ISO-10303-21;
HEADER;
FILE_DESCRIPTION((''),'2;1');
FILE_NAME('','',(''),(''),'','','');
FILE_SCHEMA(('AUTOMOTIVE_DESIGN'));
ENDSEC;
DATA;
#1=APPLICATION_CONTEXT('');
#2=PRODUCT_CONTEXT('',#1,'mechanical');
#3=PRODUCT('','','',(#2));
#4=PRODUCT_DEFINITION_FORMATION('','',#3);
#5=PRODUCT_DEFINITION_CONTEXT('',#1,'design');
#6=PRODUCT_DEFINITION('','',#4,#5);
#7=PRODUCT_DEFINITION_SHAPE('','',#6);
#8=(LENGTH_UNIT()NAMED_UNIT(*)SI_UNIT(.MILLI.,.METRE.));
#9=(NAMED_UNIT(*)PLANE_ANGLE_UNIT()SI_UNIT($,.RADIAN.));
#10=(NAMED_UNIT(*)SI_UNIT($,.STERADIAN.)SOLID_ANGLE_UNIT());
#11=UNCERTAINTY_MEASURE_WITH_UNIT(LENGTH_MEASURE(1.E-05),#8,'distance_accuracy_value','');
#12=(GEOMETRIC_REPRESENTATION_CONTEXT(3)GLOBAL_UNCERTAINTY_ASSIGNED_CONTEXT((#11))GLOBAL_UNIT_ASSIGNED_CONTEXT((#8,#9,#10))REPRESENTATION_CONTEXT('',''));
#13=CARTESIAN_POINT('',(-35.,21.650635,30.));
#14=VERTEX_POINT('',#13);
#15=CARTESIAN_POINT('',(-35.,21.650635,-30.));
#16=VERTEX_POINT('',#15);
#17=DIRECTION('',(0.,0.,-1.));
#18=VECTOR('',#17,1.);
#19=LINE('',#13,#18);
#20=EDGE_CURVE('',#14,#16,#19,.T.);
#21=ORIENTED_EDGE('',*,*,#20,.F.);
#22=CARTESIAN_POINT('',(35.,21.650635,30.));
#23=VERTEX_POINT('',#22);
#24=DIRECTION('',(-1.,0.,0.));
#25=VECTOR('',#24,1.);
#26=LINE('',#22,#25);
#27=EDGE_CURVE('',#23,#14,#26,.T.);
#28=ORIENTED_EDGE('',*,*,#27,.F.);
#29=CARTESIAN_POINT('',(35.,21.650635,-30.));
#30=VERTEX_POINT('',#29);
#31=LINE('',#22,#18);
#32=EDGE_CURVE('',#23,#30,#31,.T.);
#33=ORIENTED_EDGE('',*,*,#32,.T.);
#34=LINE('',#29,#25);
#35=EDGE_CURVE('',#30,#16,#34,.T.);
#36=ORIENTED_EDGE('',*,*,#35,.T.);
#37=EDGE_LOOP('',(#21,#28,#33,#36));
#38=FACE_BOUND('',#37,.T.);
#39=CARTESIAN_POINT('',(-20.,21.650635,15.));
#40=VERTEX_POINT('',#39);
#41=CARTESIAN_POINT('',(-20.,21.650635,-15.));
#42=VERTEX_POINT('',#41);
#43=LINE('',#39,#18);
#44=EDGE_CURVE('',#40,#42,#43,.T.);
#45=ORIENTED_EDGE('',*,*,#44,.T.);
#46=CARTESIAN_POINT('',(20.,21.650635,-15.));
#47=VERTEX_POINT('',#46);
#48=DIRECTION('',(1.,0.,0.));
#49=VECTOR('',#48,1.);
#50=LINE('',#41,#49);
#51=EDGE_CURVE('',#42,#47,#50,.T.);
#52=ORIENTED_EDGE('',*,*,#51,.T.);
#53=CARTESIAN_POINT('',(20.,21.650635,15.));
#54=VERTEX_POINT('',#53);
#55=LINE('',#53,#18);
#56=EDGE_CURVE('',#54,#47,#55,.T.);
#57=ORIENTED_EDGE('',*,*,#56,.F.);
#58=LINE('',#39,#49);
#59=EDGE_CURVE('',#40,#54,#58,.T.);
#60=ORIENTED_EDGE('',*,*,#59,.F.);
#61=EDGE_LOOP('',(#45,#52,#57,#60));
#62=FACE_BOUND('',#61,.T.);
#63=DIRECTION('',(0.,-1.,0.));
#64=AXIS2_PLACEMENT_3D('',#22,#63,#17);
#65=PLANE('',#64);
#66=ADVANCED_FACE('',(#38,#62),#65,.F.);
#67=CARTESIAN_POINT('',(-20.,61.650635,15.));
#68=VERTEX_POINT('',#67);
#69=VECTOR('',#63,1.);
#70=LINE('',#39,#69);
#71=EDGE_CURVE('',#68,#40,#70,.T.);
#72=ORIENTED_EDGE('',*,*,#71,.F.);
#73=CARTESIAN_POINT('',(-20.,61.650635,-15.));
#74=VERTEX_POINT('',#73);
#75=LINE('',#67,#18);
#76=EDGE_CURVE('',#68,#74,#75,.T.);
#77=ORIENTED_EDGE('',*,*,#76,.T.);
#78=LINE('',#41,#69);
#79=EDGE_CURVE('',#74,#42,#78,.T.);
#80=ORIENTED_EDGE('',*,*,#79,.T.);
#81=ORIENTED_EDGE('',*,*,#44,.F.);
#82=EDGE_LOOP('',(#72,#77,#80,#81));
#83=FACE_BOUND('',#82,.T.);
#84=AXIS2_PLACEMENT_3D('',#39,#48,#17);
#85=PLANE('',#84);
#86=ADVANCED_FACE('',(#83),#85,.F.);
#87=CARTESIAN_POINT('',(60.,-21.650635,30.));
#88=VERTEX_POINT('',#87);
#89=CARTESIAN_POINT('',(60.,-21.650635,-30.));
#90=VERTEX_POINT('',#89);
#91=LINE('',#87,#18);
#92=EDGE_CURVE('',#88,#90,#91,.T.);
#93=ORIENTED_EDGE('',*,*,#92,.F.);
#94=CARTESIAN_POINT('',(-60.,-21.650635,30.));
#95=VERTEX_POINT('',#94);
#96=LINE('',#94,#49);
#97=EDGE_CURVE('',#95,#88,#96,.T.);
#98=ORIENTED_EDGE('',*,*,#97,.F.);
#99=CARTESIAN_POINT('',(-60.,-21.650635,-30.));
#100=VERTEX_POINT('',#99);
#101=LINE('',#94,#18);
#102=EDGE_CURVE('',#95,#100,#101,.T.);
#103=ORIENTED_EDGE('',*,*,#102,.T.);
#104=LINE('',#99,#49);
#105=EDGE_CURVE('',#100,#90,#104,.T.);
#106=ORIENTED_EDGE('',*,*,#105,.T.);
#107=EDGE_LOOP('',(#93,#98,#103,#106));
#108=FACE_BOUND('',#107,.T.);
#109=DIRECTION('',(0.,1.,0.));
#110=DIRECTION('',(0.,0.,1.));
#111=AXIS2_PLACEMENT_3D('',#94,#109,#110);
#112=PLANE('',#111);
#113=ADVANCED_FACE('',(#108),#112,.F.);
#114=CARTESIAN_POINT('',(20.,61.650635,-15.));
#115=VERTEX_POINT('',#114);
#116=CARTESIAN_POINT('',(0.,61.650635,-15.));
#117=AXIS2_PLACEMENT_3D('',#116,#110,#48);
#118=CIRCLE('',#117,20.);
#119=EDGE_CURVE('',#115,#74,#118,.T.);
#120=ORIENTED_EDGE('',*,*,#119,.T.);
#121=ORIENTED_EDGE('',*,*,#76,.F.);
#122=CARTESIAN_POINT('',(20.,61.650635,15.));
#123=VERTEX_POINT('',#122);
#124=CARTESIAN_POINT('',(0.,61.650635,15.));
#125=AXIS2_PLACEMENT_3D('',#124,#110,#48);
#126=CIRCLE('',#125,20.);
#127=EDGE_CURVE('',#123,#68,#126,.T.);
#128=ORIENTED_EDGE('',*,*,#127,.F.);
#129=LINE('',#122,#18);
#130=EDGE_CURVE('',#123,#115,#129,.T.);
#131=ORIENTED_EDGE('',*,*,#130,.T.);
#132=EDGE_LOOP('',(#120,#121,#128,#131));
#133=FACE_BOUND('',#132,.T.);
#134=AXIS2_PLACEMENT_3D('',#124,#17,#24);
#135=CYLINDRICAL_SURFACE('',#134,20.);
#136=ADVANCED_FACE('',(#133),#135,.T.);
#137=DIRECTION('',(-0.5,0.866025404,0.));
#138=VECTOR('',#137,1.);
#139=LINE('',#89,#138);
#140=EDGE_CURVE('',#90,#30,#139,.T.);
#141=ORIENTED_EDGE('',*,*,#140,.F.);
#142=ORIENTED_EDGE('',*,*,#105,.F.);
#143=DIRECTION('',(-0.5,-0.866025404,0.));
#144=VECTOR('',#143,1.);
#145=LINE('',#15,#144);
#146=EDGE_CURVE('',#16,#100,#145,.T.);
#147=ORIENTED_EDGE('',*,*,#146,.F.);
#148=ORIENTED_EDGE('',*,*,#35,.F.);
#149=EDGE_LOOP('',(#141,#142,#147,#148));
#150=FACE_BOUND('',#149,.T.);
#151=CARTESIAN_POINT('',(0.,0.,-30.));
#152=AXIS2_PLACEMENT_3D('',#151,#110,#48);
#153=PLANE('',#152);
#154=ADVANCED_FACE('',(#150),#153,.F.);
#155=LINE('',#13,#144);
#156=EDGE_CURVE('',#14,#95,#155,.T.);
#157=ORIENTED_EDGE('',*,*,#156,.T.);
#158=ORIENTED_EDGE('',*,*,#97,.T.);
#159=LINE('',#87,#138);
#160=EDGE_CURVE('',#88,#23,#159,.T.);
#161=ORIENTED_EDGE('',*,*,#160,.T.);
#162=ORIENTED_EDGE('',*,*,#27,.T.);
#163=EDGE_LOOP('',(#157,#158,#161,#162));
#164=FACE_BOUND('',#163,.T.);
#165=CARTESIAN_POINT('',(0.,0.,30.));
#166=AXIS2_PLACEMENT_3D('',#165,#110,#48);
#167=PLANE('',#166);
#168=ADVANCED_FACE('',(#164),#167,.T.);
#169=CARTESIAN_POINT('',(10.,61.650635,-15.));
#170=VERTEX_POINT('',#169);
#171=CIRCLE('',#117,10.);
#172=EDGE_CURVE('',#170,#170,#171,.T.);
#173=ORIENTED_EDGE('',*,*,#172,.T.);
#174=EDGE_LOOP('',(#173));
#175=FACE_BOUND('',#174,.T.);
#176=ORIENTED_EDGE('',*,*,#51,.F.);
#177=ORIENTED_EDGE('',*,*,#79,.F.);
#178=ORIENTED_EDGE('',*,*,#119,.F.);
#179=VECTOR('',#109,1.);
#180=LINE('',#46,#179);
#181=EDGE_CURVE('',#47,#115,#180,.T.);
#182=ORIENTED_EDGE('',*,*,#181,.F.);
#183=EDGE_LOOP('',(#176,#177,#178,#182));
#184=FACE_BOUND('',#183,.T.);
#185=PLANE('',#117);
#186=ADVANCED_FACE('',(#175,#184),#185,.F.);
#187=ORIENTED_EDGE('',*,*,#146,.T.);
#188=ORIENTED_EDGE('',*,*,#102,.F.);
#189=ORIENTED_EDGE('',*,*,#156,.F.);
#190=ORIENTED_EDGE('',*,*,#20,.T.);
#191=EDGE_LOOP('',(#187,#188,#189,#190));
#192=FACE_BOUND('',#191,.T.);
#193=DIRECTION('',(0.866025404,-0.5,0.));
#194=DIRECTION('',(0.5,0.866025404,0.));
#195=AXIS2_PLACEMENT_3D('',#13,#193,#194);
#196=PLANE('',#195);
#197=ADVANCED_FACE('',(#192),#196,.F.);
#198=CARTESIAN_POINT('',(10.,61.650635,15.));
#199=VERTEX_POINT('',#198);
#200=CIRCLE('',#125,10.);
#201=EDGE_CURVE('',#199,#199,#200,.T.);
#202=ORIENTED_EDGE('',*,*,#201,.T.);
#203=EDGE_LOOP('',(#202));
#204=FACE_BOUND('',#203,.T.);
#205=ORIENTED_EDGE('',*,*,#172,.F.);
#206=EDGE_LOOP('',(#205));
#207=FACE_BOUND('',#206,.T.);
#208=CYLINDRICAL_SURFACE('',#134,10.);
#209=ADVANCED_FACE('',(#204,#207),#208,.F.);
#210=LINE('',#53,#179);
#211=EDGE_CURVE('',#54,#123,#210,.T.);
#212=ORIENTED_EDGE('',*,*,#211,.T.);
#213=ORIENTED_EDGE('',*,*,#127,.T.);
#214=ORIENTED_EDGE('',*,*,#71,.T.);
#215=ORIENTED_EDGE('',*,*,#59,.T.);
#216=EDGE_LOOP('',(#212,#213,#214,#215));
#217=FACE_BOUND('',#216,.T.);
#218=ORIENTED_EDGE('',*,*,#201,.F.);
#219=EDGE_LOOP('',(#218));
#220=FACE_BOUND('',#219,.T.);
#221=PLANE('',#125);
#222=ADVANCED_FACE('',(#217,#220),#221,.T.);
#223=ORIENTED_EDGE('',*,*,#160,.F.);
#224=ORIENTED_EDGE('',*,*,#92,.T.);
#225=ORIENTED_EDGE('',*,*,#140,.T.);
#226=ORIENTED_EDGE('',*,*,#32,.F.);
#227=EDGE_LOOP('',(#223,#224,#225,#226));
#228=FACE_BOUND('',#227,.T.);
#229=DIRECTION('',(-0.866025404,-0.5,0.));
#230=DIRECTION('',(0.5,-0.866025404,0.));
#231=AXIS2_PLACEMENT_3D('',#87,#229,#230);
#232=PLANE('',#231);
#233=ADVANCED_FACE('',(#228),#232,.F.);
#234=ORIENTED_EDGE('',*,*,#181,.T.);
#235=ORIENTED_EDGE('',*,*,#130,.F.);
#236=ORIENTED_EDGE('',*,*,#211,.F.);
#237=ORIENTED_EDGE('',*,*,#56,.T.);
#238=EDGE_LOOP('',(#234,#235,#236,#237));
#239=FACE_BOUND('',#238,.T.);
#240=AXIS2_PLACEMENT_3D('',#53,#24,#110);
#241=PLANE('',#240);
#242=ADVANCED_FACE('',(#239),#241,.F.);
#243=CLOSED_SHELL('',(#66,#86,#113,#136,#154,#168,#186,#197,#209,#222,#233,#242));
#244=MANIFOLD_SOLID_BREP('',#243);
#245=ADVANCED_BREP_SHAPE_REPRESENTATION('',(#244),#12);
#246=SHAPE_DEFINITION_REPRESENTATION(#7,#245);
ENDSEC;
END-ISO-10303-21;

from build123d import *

# Parameters (mm, degrees)
Y_KSEKLIK_EKSTR_ZYON1_DEPTH = 30
IZIM2_R                     = 10
Y_KSEKLIK_EKSTR_ZYON2_DEPTH = 15


with BuildPart() as part:
    # Çizim1 → Yükseklik-Ekstrüzyon1 (new, symmetric)
    with BuildSketch(Plane.XY):
        Polygon((-60, -21.650635095), (60, -21.650635095), (35, 21.650635095), (-35, 21.650635095), align=None)
    extrude(amount=Y_KSEKLIK_EKSTR_ZYON1_DEPTH, both=True)

    # Çizim2 → Yükseklik-Ekstrüzyon2 (add, symmetric)
    with BuildSketch(Plane.XY):
        with BuildLine():
            Line((-20, 21.650635095), (-20, 61.650635095))
            ThreePointArc((-20, 61.650635095), (0, 81.650635095), (20, 61.650635095))
            Line((20, 61.650635095), (20, 21.650635095))
            Line((20, 21.650635095), (-20, 21.650635095))
        make_face()
        with Locations((0, 61.650635095)):
            Circle(IZIM2_R, mode=Mode.SUBTRACT)
    extrude(amount=Y_KSEKLIK_EKSTR_ZYON2_DEPTH, both=True)


solid = part.part
